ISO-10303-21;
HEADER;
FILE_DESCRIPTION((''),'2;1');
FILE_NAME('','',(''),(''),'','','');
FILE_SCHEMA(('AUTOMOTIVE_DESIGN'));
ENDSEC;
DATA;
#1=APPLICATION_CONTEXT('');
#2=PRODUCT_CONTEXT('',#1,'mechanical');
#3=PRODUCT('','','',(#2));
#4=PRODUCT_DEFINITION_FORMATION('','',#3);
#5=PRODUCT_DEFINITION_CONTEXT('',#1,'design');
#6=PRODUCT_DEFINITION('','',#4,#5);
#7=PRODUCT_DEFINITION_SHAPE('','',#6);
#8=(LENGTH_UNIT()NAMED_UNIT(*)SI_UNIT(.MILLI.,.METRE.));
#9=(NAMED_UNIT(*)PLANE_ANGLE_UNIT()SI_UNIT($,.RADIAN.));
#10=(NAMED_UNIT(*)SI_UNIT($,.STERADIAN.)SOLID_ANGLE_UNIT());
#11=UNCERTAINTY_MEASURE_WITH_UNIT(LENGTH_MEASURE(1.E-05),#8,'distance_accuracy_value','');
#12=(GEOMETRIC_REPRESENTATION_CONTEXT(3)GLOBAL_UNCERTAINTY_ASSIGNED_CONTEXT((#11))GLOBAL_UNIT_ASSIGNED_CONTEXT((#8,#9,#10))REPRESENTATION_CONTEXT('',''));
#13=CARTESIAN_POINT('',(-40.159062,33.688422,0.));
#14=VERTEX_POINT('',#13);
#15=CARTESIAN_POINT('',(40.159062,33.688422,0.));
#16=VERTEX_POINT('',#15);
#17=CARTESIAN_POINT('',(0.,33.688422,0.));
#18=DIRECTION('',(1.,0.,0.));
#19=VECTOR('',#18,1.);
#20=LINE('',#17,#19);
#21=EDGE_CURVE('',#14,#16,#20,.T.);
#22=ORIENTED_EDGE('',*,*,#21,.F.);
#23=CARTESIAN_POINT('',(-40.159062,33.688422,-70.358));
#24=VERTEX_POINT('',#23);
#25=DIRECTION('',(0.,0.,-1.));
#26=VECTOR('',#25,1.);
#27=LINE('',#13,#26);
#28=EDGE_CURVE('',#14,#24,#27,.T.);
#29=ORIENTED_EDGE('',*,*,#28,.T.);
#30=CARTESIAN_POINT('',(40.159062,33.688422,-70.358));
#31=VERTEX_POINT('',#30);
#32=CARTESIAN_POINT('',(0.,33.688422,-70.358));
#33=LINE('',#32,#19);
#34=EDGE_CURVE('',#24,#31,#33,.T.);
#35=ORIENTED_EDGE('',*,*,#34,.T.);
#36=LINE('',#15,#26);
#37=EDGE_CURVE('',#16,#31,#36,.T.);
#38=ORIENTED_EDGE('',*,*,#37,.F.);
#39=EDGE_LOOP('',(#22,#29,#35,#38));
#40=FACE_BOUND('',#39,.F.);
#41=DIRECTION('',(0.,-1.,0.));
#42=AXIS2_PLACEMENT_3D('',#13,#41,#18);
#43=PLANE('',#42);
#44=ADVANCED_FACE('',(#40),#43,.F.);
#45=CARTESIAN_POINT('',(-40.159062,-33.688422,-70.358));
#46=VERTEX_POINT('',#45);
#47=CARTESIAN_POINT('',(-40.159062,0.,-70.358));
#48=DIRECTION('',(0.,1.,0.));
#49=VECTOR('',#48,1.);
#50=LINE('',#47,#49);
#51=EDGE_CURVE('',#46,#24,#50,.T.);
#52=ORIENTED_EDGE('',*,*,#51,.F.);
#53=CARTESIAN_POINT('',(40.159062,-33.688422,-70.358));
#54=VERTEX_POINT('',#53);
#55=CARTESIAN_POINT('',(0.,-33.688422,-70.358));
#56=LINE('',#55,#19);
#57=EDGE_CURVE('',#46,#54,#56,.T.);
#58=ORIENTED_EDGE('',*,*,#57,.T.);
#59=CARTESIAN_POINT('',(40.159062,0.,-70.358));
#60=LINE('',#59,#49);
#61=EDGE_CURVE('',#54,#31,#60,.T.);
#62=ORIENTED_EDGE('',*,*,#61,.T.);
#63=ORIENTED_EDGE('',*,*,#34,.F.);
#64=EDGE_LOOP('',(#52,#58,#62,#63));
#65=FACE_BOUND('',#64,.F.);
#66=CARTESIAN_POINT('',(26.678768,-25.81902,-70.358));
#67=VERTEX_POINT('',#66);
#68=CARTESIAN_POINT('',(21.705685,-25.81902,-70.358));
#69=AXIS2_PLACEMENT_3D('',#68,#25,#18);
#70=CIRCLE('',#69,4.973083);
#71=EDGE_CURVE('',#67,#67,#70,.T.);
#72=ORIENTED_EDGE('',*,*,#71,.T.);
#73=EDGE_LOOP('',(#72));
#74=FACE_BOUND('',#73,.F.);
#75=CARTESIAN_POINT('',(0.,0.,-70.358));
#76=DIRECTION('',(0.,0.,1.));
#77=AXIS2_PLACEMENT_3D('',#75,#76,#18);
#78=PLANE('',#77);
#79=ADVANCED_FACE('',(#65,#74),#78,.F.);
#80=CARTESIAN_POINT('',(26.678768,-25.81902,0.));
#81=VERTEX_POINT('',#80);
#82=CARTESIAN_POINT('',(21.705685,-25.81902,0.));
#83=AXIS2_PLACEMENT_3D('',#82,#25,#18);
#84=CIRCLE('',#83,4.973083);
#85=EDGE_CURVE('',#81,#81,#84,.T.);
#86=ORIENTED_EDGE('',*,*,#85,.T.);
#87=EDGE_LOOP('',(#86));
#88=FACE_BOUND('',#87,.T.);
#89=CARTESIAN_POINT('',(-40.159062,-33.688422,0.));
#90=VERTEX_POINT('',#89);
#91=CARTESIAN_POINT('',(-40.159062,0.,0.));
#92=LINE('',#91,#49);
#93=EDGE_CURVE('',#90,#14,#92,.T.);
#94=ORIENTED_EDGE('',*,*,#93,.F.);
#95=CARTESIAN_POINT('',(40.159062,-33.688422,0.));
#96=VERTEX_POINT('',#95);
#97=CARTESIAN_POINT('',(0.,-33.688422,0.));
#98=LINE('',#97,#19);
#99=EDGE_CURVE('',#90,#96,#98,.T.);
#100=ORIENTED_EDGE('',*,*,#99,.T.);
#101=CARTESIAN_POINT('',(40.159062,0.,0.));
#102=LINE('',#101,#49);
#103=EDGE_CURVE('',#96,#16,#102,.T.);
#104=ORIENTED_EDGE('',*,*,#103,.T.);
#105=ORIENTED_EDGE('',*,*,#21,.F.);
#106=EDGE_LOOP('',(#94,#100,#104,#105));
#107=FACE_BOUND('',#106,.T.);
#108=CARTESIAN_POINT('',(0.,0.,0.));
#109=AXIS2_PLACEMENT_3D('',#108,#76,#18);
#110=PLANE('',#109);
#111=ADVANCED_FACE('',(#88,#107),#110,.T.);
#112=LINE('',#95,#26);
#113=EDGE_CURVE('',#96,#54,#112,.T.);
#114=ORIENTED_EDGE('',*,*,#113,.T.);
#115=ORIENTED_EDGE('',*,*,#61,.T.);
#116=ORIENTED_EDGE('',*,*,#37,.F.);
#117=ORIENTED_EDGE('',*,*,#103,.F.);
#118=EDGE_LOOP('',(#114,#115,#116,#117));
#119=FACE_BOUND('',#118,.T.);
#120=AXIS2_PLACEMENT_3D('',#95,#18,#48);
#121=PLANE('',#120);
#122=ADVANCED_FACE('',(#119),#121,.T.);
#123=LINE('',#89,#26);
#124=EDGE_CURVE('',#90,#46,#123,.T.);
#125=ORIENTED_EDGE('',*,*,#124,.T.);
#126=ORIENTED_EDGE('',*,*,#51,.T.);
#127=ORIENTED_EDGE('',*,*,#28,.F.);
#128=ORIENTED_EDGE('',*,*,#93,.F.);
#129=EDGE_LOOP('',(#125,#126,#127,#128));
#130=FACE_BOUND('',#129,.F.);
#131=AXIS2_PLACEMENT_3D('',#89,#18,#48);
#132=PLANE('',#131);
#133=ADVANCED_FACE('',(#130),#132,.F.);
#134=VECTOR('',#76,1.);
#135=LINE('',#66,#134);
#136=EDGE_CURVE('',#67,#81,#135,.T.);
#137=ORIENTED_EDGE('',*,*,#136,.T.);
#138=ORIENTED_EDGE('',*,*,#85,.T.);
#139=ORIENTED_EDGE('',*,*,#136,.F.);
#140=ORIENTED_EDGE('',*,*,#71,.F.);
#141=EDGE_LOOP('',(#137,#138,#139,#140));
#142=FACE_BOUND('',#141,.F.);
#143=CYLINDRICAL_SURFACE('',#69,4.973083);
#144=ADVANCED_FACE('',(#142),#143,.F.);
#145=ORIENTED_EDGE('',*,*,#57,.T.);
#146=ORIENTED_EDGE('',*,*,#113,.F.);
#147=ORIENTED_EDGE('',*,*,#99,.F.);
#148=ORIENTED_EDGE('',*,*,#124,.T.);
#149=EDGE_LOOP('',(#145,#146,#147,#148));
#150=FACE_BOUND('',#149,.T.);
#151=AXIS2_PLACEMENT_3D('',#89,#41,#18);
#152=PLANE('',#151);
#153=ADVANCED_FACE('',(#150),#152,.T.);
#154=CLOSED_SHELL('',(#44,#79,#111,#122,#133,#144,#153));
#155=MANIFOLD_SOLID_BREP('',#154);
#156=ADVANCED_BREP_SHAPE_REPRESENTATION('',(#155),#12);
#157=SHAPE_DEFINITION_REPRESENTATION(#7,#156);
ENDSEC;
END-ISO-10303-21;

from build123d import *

# Parameters (mm, degrees)
F0_W     = 80.318124
F0_H     = 67.376844
F1_DEPTH = 70.358
F2_R     = 4.973083
F3_DEPTH = 70.359


with BuildPart() as f1:
    # F0 (on Top) → F1 (new body)
    with BuildSketch(Plane.XY):
        Rectangle(F0_W, F0_H)
    extrude(amount=-F1_DEPTH)

    # F2 (on face) → F3 (cut, through all)
    with BuildSketch(Plane(origin=(0, 0, -70.358), x_dir=(1, 0, 0), z_dir=(0, 0, -1))):
        with Locations((21.705685, 25.81902)):
            Circle(F2_R)
    extrude(amount=-F3_DEPTH, mode=Mode.SUBTRACT)


solid = f1.part
